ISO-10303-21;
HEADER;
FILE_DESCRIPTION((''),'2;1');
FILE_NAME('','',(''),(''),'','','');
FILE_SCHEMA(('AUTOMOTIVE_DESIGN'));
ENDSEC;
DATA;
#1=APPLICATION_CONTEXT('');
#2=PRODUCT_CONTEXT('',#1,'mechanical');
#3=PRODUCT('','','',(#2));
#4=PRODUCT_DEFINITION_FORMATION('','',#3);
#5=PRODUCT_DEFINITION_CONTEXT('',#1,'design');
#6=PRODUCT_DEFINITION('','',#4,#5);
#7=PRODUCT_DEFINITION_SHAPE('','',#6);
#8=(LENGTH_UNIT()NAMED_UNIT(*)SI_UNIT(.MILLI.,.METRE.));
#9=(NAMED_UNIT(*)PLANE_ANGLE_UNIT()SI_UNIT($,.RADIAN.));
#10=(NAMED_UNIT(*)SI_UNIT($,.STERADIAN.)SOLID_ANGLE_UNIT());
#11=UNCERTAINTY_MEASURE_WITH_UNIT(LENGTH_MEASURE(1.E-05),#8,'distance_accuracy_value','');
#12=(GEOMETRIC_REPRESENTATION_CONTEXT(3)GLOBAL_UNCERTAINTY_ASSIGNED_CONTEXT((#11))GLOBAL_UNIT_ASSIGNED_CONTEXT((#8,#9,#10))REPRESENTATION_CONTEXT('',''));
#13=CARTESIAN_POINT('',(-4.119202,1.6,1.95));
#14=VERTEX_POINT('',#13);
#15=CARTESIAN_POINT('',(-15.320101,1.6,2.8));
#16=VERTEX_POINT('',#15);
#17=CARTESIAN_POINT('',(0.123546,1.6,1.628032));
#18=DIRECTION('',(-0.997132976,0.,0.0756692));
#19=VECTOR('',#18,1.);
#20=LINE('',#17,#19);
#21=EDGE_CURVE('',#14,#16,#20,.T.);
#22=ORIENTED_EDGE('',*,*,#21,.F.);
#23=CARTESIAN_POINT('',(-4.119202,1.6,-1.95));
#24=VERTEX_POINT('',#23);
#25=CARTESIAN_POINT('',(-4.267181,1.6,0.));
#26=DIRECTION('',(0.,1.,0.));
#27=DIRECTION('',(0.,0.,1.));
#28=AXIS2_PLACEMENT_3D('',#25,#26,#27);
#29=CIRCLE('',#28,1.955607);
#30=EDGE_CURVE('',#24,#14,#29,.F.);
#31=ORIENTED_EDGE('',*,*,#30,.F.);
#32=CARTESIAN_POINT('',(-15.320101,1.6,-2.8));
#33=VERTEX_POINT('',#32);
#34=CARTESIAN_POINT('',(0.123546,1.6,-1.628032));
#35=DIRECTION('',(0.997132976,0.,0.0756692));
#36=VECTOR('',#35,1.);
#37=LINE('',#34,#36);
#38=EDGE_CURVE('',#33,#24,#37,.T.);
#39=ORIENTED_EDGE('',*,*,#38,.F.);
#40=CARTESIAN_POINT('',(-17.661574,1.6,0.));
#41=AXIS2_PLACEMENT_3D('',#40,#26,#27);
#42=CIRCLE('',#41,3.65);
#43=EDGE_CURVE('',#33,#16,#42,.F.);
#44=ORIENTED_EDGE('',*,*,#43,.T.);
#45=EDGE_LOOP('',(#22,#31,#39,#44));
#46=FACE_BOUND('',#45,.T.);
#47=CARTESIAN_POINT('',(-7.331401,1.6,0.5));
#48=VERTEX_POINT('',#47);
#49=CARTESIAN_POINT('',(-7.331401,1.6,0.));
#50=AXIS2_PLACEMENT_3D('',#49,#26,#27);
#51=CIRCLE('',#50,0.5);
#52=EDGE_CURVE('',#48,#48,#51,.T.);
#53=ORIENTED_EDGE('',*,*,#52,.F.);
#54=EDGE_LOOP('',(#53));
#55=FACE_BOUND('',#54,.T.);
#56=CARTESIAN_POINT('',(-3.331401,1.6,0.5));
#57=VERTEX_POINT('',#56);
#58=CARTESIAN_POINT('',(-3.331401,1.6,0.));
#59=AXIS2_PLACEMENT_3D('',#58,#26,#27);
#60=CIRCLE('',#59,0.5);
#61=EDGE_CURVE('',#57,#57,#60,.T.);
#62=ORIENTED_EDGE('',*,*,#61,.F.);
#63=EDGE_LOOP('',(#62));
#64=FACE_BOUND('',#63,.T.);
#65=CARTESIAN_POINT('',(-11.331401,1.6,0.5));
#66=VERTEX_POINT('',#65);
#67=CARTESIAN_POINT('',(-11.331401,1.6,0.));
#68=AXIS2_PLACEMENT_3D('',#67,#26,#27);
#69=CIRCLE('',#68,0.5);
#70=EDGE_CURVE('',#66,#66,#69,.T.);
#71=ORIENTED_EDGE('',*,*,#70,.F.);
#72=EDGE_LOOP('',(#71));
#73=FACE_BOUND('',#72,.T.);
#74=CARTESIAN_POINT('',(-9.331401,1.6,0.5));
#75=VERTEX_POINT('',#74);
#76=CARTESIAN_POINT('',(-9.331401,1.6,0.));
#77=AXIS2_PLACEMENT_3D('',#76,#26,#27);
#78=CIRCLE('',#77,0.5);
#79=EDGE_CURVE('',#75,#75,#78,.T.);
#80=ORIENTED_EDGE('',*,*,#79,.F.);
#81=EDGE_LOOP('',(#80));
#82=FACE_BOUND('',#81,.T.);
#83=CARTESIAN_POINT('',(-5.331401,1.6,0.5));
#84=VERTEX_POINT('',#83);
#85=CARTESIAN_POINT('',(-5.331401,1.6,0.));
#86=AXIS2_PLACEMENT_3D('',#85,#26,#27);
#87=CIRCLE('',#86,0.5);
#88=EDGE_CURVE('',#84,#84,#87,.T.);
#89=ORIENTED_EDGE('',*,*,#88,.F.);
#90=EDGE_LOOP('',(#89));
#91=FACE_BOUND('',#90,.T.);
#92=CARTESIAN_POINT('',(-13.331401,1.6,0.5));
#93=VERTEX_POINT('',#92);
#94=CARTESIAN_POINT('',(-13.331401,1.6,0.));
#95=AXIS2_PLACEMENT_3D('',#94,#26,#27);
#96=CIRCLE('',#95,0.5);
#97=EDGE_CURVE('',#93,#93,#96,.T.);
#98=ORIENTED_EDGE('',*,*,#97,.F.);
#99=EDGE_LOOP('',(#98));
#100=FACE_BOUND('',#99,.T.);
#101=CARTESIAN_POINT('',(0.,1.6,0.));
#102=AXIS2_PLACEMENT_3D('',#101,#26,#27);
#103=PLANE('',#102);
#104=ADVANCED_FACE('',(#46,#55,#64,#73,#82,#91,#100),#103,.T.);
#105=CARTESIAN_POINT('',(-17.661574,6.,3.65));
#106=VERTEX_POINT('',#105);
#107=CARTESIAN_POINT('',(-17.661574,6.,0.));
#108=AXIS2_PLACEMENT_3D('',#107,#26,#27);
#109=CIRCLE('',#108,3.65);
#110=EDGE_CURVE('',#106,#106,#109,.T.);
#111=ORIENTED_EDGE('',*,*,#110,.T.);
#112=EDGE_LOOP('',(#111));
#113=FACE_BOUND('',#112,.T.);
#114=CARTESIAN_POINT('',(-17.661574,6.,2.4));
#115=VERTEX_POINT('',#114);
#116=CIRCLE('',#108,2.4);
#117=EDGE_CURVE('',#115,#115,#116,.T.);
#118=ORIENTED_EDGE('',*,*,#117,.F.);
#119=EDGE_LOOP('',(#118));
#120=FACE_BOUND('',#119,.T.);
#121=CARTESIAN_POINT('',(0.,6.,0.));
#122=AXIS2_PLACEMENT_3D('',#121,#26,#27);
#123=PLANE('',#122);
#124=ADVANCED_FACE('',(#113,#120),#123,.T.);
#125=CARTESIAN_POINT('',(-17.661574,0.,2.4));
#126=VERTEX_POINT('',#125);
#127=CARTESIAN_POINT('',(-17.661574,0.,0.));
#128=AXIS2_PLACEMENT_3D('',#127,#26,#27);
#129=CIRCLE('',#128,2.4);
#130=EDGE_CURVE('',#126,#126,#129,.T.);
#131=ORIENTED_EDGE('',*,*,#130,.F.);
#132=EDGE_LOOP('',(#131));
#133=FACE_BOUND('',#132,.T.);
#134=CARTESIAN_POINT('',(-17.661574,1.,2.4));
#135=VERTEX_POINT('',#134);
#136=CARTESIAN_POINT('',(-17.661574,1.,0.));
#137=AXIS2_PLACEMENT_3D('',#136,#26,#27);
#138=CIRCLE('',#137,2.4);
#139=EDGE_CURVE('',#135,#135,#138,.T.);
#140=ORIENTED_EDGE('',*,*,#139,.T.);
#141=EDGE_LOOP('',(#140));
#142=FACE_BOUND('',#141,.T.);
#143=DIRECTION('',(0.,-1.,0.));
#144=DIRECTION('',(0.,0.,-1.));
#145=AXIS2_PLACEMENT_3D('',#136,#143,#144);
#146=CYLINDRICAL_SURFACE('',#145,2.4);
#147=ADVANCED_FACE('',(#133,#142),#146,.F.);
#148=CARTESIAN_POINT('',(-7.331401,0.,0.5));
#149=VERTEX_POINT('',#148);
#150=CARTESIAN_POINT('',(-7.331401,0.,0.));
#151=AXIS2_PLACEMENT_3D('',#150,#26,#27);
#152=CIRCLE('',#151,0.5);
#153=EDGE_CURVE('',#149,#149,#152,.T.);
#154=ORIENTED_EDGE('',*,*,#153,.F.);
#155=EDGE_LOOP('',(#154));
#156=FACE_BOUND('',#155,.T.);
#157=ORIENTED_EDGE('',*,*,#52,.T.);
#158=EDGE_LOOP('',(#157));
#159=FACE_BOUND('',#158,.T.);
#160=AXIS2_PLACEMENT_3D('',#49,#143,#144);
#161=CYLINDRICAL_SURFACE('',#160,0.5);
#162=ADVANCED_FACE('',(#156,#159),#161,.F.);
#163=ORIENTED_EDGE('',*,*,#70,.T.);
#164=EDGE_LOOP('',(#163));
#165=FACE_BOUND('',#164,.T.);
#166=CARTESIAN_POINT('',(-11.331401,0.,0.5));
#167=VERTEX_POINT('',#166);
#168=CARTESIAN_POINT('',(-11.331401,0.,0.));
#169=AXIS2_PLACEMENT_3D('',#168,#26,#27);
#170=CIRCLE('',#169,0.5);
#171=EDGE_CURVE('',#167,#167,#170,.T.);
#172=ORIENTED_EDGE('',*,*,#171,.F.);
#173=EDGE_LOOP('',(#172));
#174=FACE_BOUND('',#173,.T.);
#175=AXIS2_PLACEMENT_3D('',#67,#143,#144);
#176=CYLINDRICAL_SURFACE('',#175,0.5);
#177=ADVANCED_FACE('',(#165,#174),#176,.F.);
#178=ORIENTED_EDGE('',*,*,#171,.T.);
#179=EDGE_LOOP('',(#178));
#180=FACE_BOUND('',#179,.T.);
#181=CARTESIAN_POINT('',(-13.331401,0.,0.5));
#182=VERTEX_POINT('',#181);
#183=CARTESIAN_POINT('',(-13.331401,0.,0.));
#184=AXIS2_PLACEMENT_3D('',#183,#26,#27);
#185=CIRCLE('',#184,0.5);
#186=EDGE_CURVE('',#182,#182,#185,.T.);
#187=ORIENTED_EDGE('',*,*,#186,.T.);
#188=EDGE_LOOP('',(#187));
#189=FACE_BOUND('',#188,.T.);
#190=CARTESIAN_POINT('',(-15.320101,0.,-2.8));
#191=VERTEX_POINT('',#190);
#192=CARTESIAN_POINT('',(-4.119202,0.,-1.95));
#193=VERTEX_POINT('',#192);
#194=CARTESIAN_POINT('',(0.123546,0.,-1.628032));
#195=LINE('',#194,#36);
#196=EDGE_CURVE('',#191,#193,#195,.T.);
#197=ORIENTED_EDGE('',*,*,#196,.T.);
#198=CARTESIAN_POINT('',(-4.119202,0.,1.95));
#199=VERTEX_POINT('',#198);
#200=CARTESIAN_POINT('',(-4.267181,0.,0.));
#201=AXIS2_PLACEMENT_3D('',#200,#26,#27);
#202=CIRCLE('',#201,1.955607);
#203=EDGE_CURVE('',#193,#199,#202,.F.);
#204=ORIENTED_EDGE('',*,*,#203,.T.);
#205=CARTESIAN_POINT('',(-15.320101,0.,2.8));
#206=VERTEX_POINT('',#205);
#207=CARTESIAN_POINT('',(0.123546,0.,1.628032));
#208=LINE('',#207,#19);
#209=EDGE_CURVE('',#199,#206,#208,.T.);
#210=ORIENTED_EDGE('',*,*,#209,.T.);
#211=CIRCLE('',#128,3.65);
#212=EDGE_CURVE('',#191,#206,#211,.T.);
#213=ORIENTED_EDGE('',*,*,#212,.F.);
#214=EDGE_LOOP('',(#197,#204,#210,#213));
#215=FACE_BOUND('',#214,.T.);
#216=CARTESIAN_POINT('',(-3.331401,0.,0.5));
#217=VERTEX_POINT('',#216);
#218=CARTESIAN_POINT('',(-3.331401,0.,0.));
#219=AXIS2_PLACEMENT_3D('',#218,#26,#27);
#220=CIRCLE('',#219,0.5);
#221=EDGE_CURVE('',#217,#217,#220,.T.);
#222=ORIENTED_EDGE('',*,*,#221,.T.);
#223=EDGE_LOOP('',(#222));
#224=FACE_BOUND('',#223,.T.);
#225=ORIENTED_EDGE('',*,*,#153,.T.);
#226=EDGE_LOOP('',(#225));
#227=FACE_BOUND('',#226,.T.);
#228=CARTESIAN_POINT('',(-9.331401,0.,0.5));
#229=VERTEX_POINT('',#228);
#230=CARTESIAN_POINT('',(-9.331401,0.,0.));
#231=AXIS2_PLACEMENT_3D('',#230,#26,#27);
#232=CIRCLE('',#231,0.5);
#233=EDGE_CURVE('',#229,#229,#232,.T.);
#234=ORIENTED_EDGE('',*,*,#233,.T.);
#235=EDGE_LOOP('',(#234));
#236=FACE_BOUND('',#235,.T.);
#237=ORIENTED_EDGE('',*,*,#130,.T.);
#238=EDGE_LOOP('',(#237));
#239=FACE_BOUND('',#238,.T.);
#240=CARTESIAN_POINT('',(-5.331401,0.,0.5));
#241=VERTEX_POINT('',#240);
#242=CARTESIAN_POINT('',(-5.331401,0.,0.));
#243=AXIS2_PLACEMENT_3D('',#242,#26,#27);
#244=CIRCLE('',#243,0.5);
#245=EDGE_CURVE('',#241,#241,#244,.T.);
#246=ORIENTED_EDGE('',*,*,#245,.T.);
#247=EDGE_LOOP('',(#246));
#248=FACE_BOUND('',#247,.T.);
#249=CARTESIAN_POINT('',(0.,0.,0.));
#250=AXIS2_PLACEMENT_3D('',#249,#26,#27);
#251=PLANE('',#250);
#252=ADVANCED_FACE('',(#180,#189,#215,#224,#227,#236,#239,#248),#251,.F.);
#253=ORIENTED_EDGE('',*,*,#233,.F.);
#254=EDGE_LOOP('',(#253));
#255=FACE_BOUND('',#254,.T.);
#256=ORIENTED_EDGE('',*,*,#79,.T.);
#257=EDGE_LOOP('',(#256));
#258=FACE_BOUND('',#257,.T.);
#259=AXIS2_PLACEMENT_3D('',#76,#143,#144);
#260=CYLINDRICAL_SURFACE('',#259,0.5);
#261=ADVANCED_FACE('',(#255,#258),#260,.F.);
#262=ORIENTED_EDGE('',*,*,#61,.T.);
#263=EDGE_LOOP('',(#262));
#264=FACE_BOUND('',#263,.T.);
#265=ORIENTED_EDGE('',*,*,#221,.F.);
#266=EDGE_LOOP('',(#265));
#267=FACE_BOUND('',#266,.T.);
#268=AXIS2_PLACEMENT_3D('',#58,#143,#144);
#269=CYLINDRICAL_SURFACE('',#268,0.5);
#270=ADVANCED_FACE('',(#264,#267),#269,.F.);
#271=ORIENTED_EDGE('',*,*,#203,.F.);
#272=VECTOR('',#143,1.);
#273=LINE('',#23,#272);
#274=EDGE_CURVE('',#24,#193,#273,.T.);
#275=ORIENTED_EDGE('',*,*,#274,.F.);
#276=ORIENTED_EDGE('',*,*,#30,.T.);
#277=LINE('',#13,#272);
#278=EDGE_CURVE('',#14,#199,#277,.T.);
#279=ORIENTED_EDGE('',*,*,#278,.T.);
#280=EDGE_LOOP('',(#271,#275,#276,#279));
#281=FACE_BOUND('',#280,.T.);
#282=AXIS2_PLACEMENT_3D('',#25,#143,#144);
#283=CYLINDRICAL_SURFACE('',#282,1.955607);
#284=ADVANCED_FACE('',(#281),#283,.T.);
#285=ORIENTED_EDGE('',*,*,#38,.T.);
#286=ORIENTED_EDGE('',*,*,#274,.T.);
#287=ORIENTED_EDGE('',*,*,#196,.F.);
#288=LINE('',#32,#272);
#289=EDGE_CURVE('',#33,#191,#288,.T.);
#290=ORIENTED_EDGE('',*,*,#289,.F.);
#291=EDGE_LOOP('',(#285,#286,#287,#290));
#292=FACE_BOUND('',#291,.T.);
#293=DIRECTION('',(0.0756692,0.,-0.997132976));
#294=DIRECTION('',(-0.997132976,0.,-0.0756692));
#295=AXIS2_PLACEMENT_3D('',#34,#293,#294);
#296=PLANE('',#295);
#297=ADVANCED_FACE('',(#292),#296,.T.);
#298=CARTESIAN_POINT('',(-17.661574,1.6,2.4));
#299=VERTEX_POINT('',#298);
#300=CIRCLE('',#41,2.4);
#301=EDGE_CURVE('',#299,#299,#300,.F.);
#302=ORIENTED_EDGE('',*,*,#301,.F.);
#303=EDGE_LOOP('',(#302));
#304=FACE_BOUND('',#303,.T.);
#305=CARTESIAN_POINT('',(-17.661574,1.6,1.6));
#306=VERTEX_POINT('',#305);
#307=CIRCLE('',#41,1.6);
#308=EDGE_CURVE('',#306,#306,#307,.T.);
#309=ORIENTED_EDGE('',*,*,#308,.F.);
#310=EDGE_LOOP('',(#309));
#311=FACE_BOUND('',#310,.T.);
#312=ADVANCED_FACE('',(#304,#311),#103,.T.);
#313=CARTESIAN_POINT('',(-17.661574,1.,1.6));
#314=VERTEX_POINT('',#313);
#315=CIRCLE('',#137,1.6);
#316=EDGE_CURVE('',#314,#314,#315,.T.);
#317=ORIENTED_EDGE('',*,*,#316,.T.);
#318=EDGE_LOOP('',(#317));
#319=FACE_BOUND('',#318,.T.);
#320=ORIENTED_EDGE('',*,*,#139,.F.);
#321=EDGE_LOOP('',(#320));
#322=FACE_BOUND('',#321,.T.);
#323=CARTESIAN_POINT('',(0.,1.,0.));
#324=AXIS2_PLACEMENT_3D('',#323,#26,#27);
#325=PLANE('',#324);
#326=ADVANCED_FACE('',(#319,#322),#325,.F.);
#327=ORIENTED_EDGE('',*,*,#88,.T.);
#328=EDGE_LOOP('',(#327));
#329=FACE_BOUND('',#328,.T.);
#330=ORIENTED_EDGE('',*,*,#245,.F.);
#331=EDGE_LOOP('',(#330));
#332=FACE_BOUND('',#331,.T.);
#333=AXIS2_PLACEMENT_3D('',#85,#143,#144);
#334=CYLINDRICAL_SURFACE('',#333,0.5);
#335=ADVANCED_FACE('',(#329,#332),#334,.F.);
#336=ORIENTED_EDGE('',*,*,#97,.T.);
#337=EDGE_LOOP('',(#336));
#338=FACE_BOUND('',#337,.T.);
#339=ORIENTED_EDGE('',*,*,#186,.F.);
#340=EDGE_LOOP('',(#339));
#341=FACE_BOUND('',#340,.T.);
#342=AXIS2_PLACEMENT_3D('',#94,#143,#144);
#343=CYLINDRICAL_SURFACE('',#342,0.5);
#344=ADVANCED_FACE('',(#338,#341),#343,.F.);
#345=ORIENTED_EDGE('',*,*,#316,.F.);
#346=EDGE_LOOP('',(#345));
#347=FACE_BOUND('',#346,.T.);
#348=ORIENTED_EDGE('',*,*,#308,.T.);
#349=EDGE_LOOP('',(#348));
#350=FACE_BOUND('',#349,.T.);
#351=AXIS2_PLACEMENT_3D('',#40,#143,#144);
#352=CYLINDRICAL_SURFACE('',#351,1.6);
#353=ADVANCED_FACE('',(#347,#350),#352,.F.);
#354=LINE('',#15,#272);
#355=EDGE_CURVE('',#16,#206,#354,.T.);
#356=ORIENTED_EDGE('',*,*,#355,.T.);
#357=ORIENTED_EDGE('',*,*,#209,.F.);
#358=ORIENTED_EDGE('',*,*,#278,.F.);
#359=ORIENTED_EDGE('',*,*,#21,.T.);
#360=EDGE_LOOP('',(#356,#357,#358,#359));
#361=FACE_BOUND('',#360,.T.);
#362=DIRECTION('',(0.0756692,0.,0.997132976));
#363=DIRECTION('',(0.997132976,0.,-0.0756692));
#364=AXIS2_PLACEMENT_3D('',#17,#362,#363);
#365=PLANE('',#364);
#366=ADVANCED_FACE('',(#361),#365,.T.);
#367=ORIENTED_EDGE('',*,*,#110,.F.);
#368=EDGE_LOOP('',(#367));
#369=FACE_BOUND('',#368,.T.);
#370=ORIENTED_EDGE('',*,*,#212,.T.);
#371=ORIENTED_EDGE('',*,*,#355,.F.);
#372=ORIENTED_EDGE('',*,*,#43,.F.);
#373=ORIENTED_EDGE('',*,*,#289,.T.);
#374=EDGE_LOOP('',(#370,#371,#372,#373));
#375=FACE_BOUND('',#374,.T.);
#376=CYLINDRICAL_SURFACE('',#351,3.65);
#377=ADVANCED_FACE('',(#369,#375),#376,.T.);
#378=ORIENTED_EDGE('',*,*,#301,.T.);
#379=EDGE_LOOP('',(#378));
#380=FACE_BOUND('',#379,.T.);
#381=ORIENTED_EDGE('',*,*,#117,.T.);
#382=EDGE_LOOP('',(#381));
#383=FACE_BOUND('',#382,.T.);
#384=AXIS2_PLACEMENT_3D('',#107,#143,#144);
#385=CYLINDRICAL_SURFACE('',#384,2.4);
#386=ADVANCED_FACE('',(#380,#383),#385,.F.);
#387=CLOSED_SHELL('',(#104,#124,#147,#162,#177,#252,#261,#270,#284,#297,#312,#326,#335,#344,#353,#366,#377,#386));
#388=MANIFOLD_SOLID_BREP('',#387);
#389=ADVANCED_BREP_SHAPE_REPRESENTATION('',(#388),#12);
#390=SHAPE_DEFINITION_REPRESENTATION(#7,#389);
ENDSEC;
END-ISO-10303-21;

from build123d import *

# Parameters (mm, degrees)
SKETCH1_R           = 3.65
SKETCH1_R_2         = 2.4
SKETCH1_R_3         = 1.6
SKETCH1_R_4         = 0.5
BOSS_EXTRUDE1_DEPTH = 1.6
SKETCH1_3_R         = 3.65
SKETCH1_3_R_2       = 2.4
BOSS_EXTRUDE2_DEPTH = 6
SKETCH1_4_R         = 2.4
SKETCH1_4_R_2       = 1.6
CUT_EXTRUDE1_DEPTH  = 1


with BuildPart() as part:
    # Sketch1 → Boss-Extrude1 (new body)
    # profile 1 of 3: a face of its own
    with BuildSketch(Plane(origin=(0, 0, 0), x_dir=(1, 0, 0), z_dir=(0, 1, 0))):
        with Locations((-17.661574497, 0)):
            Circle(SKETCH1_R)
        with Locations((-17.661574497, 0)):
            Circle(SKETCH1_R_2, mode=Mode.SUBTRACT)
    # profile 2 of 3: a face of its own
    with BuildSketch(Plane(origin=(0, 0, 0), x_dir=(1, 0, 0), z_dir=(0, 1, 0))):
        with Locations((-17.661574497, 0)):
            Circle(SKETCH1_R_2)
        with Locations(Location((-17.661574497, 0, 0), (0, 0, 270))):
            Circle(SKETCH1_R_3, mode=Mode.SUBTRACT)
    # profile 3 of 3: a face of its own
    with BuildSketch(Plane(origin=(0, 0, 0), x_dir=(1, 0, 0), z_dir=(0, 1, 0))):
        with BuildLine():
            Line((-4.119202068, 1.95), (-15.320100602, 2.8))
            ThreePointArc((-15.320100602, 2.8), (-14.35484804, 1.545334961), (-14.011574497, 0))
            ThreePointArc((-14.011574497, 0), (-14.35484804, -1.545334961), (-15.320100602, -2.8))
            Line((-15.320100602, -2.8), (-4.119202068, -1.95))
            ThreePointArc((-4.119202068, -1.95), (-2.311574497, 0), (-4.119202068, 1.95))
        make_face()
        with Locations(Location((-13.331400804, 0, 0), (0, 0, 270))):
            Circle(SKETCH1_R_4, mode=Mode.SUBTRACT)
        with Locations(Location((-11.331400804, 0, 0), (0, 0, 270))):
            Circle(SKETCH1_R_4, mode=Mode.SUBTRACT)
        with Locations(Location((-9.331400804, 0, 0), (0, 0, 270))):
            Circle(SKETCH1_R_4, mode=Mode.SUBTRACT)
        with Locations(Location((-7.331400804, 0, 0), (0, 0, 270))):
            Circle(SKETCH1_R_4, mode=Mode.SUBTRACT)
        with Locations(Location((-5.331400804, 0, 0), (0, 0, 270))):
            Circle(SKETCH1_R_4, mode=Mode.SUBTRACT)
        with Locations(Location((-3.331400804, 0, 0), (0, 0, 270))):
            Circle(SKETCH1_R_4, mode=Mode.SUBTRACT)
    extrude(amount=BOSS_EXTRUDE1_DEPTH)

    # Sketch1<3> → Boss-Extrude2 (add)
    with BuildSketch(Plane(origin=(0, 0, 0), x_dir=(1, 0, 0), z_dir=(0, 1, 0))):
        with Locations(Location((-17.661574497, 0, 0), (0, 0, 50.096260743))):
            Circle(SKETCH1_3_R)
        with Locations(Location((-17.661574497, 0, 0), (0, 0, 270))):
            Circle(SKETCH1_3_R_2, mode=Mode.SUBTRACT)
    extrude(amount=BOSS_EXTRUDE2_DEPTH)

    # Sketch1<4> → Cut-Extrude1 (cut)
    with BuildSketch(Plane(origin=(0, 0, 0), x_dir=(1, 0, 0), z_dir=(0, 1, 0))):
        with Locations(Location((-17.661574497, 0, 0), (0, 0, 270))):
            Circle(SKETCH1_4_R)
        with Locations(Location((-17.661574497, 0, 0), (0, 0, 270))):
            Circle(SKETCH1_4_R_2, mode=Mode.SUBTRACT)
    extrude(amount=CUT_EXTRUDE1_DEPTH, mode=Mode.SUBTRACT)


solid = part.part
